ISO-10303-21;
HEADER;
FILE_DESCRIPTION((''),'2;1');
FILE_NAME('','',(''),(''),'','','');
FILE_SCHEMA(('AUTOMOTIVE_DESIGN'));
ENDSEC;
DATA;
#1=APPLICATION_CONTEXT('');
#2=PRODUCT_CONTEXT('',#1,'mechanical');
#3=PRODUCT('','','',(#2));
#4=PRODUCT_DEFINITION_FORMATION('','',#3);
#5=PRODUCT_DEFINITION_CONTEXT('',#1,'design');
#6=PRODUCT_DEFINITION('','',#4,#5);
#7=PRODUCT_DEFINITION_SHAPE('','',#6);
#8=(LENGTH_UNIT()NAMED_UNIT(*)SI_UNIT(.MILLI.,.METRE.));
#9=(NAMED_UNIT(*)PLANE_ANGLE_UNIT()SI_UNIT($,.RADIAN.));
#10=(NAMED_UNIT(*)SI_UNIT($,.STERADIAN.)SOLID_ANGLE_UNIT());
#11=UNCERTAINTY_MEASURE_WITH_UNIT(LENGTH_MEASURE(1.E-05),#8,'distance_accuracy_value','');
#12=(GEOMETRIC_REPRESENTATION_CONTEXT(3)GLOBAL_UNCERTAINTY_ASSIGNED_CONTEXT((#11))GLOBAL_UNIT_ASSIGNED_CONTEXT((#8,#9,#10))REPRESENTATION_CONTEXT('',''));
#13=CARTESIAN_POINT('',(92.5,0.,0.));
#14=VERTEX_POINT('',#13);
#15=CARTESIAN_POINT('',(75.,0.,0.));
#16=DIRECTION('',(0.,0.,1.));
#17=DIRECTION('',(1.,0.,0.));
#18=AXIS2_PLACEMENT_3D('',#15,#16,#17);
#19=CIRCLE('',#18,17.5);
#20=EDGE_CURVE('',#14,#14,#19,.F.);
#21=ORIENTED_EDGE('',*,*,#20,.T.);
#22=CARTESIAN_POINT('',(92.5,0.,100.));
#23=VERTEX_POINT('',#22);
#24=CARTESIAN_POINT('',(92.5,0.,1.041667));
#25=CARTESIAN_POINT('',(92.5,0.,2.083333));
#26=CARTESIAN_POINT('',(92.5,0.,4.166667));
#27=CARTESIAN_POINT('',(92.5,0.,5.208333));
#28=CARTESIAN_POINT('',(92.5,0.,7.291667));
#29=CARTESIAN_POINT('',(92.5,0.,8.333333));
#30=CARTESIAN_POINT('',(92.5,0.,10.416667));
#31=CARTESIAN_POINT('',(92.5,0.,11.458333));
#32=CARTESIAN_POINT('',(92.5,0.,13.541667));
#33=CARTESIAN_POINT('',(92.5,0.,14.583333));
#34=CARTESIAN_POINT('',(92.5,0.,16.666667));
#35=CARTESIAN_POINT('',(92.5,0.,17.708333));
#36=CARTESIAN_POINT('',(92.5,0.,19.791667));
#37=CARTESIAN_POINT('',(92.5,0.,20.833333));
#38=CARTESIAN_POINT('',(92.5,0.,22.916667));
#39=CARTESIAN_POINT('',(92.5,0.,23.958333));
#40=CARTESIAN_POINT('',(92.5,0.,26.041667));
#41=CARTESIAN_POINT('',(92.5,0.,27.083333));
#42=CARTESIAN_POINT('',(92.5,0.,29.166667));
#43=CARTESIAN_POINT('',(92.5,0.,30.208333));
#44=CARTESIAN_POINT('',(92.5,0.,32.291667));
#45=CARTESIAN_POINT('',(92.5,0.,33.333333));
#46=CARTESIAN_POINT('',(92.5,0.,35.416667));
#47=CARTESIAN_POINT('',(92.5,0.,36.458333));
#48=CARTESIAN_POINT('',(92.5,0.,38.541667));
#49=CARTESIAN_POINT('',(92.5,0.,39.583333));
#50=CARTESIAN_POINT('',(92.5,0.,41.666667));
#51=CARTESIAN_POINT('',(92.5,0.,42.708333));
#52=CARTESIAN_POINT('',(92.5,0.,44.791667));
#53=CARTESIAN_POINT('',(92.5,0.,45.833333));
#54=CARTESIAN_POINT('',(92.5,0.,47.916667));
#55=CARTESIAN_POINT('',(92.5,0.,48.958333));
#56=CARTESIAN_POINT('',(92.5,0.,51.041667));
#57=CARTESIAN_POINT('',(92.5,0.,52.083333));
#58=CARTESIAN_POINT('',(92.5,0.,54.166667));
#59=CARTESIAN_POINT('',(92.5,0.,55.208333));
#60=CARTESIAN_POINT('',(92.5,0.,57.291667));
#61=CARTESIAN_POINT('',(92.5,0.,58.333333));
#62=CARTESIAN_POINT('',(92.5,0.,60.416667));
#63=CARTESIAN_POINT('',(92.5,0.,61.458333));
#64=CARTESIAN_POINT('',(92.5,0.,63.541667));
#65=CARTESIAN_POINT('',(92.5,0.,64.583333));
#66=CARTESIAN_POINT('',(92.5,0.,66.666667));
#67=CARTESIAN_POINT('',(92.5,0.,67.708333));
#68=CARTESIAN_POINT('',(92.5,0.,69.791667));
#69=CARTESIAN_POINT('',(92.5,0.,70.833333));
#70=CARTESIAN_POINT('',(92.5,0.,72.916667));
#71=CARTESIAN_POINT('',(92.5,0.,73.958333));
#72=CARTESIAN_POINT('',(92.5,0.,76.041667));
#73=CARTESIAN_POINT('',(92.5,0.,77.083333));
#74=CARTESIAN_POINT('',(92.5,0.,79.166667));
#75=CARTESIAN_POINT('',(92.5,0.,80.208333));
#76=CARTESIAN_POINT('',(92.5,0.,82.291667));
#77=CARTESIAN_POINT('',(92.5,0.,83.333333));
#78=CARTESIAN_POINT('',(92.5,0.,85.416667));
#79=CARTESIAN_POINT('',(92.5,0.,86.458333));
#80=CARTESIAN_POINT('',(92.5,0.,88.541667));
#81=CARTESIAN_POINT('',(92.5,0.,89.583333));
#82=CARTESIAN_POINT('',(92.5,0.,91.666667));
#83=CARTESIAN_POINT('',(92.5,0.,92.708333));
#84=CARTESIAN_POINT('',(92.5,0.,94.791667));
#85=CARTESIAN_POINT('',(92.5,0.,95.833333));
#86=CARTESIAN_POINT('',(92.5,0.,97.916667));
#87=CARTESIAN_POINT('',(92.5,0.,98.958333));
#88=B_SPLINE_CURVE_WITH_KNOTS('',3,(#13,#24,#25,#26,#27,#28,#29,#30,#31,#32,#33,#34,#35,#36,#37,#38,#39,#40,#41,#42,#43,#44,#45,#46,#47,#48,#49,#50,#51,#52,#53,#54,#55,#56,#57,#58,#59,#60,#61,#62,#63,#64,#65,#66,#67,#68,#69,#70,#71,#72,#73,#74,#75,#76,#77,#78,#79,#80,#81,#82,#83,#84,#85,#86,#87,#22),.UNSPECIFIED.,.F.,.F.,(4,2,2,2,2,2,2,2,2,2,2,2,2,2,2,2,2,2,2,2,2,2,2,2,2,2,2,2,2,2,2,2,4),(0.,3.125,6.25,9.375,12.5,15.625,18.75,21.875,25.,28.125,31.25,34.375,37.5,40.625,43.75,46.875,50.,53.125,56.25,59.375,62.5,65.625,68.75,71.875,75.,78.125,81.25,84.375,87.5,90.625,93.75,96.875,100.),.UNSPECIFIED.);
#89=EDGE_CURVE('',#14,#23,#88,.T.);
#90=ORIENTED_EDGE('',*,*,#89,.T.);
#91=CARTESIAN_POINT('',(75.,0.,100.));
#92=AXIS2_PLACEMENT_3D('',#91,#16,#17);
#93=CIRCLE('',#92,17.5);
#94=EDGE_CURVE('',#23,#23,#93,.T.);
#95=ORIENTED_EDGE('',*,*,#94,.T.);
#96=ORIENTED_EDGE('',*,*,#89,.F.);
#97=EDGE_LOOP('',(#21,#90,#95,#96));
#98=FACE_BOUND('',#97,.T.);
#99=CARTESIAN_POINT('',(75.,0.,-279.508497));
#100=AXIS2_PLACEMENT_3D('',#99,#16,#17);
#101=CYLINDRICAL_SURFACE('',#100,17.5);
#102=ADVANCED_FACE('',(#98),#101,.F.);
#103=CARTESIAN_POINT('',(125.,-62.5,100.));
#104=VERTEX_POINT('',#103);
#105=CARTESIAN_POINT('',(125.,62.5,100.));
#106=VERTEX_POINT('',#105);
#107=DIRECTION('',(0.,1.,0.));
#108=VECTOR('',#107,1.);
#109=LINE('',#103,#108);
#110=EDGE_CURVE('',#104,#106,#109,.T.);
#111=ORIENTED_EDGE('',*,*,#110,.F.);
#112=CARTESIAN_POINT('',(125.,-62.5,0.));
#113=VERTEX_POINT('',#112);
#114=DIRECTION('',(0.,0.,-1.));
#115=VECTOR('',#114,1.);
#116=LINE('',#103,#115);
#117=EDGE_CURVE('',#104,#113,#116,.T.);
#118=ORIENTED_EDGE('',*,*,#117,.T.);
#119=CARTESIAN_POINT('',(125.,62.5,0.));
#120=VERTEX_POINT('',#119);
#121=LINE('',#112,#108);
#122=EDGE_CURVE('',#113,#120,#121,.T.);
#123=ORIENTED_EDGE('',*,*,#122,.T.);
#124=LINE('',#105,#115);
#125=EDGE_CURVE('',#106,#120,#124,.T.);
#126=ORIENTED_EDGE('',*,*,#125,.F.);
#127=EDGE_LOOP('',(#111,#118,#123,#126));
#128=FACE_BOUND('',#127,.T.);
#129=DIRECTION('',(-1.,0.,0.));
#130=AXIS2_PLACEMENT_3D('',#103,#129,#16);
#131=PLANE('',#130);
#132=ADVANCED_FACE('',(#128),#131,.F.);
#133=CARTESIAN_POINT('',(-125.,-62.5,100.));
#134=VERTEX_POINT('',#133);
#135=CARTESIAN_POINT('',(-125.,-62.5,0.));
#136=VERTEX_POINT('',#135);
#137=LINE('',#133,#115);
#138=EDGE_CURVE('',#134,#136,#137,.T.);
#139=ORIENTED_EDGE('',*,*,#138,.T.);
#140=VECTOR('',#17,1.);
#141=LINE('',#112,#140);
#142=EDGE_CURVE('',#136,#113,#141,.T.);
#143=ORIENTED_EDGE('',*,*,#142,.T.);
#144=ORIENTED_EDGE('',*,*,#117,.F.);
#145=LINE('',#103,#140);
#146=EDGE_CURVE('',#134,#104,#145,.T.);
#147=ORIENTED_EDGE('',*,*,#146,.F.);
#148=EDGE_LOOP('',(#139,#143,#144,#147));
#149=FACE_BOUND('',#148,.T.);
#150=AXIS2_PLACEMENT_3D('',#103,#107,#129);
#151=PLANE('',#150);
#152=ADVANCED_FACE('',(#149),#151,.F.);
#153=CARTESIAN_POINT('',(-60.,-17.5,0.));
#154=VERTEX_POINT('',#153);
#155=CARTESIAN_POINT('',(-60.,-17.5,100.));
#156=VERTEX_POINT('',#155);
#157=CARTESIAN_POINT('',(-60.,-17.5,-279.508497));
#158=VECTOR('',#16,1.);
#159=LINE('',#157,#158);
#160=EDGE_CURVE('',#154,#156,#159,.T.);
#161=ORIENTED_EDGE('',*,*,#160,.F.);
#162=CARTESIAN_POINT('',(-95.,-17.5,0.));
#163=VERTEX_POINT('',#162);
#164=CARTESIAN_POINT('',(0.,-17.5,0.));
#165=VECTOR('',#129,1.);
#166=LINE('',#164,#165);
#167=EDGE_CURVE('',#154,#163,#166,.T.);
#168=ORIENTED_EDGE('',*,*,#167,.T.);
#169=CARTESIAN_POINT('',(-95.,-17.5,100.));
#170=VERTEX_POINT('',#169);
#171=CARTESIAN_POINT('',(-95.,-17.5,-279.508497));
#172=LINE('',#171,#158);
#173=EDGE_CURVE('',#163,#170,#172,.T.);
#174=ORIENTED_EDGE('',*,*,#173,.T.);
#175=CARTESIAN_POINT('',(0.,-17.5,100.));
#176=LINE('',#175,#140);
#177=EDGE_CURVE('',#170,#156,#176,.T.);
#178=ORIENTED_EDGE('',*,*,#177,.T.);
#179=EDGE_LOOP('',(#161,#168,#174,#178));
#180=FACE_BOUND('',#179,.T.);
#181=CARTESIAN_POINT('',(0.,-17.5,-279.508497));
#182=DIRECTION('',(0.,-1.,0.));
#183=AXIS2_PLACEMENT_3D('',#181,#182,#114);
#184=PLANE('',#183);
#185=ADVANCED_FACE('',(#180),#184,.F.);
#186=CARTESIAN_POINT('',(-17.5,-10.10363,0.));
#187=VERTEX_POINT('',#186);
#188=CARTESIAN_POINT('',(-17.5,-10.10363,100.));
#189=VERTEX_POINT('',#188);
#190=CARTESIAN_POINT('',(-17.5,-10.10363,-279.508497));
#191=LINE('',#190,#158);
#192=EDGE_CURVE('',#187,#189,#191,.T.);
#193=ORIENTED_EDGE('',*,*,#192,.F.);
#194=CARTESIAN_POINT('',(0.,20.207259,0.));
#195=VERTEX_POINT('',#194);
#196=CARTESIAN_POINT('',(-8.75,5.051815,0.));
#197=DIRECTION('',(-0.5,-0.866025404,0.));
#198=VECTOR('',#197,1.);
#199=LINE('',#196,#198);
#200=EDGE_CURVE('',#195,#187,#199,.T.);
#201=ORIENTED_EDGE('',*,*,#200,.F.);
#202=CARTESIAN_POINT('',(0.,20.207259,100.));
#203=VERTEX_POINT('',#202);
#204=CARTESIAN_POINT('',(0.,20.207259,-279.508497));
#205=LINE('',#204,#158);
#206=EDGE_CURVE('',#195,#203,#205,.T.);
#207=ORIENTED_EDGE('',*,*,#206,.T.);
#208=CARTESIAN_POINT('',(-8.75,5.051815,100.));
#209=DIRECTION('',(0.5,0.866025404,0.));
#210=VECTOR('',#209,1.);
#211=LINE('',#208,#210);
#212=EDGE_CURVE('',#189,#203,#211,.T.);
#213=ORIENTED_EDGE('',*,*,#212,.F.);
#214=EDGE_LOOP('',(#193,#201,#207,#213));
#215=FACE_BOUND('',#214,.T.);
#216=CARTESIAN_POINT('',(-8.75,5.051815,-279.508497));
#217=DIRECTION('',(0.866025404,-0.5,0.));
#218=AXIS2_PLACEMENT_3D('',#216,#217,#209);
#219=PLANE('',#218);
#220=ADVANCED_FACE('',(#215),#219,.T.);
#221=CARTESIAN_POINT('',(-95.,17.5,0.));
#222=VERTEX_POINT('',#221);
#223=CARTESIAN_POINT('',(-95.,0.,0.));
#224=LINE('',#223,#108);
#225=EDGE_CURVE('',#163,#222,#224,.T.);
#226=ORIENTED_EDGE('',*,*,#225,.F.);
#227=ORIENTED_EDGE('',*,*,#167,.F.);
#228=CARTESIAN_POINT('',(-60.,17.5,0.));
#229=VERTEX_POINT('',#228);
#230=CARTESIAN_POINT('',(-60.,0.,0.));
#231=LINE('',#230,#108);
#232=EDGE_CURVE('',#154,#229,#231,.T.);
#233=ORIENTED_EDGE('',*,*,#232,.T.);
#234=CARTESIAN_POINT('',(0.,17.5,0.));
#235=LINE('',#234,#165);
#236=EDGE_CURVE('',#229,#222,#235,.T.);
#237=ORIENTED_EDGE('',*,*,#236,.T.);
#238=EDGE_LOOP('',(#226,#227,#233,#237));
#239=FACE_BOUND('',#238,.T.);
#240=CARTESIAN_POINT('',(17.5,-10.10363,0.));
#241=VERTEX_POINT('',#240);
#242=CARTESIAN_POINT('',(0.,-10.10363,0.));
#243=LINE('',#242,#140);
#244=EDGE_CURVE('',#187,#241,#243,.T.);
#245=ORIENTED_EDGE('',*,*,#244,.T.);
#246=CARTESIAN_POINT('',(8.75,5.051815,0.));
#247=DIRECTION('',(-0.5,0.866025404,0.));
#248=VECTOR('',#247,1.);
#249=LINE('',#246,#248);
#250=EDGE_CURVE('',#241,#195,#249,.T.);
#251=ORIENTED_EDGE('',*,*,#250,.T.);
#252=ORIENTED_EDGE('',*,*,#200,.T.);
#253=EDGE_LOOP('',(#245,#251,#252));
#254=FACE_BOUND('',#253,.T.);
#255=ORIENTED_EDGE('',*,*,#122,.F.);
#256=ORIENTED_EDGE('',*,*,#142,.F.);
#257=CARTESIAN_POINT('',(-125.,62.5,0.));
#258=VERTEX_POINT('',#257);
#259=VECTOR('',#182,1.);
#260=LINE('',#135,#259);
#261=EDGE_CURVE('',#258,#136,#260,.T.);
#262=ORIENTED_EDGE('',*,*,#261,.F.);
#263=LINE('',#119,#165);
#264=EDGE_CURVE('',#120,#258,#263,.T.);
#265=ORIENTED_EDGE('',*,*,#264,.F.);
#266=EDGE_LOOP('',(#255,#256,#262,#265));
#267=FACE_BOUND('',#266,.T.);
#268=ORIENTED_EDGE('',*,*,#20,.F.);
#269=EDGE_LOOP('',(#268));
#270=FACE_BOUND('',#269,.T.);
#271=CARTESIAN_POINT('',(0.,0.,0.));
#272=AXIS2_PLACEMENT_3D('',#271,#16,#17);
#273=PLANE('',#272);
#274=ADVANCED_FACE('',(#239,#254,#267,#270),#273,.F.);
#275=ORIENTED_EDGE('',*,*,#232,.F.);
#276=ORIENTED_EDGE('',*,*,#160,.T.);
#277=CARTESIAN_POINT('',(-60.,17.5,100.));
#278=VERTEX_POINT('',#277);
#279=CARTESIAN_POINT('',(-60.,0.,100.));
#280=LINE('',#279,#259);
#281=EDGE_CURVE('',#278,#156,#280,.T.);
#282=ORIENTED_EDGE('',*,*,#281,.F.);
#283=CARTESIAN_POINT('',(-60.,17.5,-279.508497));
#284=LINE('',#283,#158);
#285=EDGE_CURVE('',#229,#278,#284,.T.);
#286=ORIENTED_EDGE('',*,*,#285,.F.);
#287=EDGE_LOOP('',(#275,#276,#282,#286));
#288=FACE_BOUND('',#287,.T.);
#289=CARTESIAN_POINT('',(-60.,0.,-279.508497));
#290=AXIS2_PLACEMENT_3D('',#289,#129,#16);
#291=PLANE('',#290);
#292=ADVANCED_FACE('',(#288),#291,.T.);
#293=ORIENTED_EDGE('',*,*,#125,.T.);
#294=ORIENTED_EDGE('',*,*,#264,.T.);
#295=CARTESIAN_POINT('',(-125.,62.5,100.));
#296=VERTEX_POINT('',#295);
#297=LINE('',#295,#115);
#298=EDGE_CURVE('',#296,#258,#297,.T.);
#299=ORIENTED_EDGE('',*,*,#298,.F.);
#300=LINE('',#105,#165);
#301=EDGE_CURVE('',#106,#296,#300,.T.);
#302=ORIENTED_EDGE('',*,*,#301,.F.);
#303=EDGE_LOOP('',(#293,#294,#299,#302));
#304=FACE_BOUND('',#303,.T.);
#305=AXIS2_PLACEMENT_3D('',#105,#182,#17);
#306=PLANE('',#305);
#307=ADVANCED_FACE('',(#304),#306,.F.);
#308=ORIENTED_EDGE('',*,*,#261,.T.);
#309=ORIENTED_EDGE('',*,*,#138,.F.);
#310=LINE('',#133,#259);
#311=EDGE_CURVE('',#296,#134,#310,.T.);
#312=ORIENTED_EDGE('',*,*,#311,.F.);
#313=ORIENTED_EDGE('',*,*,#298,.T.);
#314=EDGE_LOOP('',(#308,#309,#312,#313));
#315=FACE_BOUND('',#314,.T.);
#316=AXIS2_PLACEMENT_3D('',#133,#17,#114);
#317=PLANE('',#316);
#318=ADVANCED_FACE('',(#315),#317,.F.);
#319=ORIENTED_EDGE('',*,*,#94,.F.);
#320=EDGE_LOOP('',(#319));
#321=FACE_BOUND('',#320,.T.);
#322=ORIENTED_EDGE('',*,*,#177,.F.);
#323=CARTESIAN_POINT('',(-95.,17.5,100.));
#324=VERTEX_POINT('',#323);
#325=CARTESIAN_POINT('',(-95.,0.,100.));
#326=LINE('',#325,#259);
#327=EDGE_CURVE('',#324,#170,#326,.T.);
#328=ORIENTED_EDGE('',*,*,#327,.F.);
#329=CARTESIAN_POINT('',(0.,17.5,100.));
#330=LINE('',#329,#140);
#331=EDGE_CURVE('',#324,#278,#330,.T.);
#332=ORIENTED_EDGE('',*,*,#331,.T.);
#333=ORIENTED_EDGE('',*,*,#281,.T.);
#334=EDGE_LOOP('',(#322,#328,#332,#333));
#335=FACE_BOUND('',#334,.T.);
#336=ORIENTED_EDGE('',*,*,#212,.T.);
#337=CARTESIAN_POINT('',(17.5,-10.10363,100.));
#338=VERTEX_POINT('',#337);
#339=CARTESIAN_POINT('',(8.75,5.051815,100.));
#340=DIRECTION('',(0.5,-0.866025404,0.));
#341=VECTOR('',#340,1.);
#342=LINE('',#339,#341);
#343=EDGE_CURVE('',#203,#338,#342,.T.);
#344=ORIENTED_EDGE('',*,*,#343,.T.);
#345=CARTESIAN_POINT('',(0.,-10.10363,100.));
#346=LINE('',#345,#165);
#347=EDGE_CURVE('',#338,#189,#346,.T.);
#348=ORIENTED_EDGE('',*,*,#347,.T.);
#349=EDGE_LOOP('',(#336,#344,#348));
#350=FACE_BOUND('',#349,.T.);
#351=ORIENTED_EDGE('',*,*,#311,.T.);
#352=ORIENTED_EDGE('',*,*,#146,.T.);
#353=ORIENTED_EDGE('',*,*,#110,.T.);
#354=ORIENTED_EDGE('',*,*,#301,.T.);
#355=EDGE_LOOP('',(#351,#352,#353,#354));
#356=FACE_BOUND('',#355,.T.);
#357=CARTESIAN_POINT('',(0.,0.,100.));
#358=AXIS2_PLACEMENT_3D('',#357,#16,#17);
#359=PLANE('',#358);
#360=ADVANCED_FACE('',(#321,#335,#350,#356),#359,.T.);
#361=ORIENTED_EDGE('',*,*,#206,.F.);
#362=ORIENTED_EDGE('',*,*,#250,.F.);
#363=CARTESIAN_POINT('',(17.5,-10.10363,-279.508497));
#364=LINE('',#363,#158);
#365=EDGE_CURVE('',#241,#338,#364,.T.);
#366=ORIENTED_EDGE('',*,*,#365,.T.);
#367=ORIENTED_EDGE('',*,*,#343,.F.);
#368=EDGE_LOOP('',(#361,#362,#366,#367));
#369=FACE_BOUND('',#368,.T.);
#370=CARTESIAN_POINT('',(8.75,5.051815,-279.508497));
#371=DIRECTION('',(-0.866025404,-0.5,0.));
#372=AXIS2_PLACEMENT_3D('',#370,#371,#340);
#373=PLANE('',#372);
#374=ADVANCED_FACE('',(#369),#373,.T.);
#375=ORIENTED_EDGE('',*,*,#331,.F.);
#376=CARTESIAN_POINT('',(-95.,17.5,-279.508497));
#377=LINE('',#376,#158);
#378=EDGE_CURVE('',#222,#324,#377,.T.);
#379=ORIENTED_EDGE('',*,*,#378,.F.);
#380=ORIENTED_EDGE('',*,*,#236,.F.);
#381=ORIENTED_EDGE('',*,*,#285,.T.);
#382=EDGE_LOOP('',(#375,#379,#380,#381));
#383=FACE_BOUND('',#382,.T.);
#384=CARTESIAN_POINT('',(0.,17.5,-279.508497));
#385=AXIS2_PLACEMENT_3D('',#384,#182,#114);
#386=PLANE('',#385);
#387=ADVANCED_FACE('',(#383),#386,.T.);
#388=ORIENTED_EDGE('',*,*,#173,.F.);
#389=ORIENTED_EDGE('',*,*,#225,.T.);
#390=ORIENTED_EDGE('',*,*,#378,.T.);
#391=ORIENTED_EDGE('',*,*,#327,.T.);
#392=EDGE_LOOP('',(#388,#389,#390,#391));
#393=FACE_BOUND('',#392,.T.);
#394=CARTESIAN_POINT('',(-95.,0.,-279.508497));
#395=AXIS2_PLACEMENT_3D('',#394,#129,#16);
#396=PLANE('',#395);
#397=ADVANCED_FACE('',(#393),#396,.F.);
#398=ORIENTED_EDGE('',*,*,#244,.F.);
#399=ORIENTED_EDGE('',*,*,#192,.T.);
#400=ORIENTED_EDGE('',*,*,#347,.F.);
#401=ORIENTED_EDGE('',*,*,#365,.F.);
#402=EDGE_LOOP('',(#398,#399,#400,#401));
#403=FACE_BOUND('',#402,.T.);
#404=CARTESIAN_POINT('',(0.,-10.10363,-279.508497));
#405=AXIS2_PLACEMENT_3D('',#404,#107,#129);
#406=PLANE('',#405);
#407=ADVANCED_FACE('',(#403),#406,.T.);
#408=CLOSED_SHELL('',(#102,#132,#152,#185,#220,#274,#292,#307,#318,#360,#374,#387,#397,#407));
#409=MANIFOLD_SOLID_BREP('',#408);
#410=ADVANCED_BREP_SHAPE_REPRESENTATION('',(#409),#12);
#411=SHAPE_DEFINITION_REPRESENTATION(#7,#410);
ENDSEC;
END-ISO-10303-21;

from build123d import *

# Parameters (mm, degrees)
SKETCH1_W           = 250
SKETCH1_H           = 125
SKETCH1_W_2         = 230
SKETCH1_H_2         = 115
BOSS_EXTRUDE1_DEPTH = 100
SKETCH3_W           = 250
SKETCH3_H           = 125
SKETCH3_W_2         = 230
SKETCH3_H_2         = 115
SKETCH3_R           = 17.5
SKETCH3_W_3         = 35
SKETCH3_H_3         = 35
BOSS_EXTRUDE4_DEPTH = 100


with BuildPart() as part:
    # Sketch1 → Boss-Extrude1 (new body)
    with BuildSketch(Plane.XY):
        Rectangle(SKETCH1_W, SKETCH1_H)
        Rectangle(SKETCH1_W_2, SKETCH1_H_2, mode=Mode.SUBTRACT)
    extrude(amount=BOSS_EXTRUDE1_DEPTH)

    # Sketch3 → Boss-Extrude4 (add)
    # profile 1 of 2: a face of its own
    with BuildSketch(Plane.XY.offset(100)):
        Rectangle(SKETCH3_W, SKETCH3_H)
        Rectangle(SKETCH3_W_2, SKETCH3_H_2, mode=Mode.SUBTRACT)
    # profile 2 of 2: a face of its own
    with BuildSketch(Plane.XY.offset(100)):
        Rectangle(SKETCH3_W_2, SKETCH3_H_2)
        with Locations((75, 0)):
            Circle(SKETCH3_R, mode=Mode.SUBTRACT)
        with Locations((-77.5, 0)):
            Rectangle(SKETCH3_W_3, SKETCH3_H_3, mode=Mode.SUBTRACT)
        Polygon((0, 20.207259422), (17.5, -10.103629711), (-17.5, -10.103629711), align=None, mode=Mode.SUBTRACT)
    extrude(amount=-BOSS_EXTRUDE4_DEPTH)


solid = part.part
